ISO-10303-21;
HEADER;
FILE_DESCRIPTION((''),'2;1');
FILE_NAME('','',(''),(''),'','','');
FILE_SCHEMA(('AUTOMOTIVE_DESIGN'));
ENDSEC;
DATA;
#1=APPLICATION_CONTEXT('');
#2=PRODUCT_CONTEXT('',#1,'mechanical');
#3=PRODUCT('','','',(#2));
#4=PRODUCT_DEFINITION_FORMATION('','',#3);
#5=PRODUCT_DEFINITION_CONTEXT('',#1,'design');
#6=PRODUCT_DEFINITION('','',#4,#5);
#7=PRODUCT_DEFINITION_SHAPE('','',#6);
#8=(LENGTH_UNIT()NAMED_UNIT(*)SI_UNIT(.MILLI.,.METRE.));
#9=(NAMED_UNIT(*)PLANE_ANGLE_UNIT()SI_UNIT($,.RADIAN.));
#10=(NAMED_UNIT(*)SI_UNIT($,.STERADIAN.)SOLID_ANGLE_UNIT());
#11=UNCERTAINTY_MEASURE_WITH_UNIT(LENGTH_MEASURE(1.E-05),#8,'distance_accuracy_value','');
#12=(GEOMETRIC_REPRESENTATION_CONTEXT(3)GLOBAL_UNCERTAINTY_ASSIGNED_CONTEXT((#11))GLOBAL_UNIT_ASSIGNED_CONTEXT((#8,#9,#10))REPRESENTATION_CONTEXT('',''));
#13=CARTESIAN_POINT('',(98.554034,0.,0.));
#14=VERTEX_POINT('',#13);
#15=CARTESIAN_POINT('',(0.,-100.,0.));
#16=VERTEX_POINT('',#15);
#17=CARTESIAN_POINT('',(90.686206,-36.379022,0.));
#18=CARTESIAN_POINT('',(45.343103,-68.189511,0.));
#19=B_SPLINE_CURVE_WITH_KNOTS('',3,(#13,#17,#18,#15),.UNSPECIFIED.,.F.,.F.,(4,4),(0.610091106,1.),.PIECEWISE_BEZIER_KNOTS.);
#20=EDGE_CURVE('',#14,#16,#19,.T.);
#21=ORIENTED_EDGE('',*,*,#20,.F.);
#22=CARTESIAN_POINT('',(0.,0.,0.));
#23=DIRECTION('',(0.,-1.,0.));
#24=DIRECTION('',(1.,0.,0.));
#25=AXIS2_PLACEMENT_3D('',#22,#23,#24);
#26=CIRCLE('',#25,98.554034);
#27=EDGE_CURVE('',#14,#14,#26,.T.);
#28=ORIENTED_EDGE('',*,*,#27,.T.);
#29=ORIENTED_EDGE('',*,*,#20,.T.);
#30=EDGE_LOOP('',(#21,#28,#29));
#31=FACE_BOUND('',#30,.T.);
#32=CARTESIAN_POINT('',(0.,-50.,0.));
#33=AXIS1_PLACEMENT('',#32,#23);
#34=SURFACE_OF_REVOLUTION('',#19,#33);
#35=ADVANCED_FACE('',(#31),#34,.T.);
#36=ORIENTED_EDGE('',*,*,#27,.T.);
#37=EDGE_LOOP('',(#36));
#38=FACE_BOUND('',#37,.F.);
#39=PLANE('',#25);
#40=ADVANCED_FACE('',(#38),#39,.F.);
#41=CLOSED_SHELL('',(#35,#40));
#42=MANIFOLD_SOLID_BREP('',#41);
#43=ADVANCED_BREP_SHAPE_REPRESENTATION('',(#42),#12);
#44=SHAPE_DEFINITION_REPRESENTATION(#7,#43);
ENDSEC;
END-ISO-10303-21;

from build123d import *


with BuildPart() as f1:
    # F0 (on Top) → F1 (revolve)
    with BuildSketch(Plane.XY):
        with BuildLine():
            Line((98.5540335686, 0), (0, 0))
            Line((0, 0), (0, -100))
            add(Edge.make_bspline(
                [(98.5540335686, 0), (90.6862062948, -36.3790215773), (45.3431031474, -68.1895107887), (0, -100)],
                knots=[0.6100911062, 0.6100911062, 0.6100911062, 0.6100911062, 1, 1, 1, 1], degree=3))
        make_face()
    revolve(axis=Axis((0, -50, 0), (0, -1, 0)))


solid = f1.part
